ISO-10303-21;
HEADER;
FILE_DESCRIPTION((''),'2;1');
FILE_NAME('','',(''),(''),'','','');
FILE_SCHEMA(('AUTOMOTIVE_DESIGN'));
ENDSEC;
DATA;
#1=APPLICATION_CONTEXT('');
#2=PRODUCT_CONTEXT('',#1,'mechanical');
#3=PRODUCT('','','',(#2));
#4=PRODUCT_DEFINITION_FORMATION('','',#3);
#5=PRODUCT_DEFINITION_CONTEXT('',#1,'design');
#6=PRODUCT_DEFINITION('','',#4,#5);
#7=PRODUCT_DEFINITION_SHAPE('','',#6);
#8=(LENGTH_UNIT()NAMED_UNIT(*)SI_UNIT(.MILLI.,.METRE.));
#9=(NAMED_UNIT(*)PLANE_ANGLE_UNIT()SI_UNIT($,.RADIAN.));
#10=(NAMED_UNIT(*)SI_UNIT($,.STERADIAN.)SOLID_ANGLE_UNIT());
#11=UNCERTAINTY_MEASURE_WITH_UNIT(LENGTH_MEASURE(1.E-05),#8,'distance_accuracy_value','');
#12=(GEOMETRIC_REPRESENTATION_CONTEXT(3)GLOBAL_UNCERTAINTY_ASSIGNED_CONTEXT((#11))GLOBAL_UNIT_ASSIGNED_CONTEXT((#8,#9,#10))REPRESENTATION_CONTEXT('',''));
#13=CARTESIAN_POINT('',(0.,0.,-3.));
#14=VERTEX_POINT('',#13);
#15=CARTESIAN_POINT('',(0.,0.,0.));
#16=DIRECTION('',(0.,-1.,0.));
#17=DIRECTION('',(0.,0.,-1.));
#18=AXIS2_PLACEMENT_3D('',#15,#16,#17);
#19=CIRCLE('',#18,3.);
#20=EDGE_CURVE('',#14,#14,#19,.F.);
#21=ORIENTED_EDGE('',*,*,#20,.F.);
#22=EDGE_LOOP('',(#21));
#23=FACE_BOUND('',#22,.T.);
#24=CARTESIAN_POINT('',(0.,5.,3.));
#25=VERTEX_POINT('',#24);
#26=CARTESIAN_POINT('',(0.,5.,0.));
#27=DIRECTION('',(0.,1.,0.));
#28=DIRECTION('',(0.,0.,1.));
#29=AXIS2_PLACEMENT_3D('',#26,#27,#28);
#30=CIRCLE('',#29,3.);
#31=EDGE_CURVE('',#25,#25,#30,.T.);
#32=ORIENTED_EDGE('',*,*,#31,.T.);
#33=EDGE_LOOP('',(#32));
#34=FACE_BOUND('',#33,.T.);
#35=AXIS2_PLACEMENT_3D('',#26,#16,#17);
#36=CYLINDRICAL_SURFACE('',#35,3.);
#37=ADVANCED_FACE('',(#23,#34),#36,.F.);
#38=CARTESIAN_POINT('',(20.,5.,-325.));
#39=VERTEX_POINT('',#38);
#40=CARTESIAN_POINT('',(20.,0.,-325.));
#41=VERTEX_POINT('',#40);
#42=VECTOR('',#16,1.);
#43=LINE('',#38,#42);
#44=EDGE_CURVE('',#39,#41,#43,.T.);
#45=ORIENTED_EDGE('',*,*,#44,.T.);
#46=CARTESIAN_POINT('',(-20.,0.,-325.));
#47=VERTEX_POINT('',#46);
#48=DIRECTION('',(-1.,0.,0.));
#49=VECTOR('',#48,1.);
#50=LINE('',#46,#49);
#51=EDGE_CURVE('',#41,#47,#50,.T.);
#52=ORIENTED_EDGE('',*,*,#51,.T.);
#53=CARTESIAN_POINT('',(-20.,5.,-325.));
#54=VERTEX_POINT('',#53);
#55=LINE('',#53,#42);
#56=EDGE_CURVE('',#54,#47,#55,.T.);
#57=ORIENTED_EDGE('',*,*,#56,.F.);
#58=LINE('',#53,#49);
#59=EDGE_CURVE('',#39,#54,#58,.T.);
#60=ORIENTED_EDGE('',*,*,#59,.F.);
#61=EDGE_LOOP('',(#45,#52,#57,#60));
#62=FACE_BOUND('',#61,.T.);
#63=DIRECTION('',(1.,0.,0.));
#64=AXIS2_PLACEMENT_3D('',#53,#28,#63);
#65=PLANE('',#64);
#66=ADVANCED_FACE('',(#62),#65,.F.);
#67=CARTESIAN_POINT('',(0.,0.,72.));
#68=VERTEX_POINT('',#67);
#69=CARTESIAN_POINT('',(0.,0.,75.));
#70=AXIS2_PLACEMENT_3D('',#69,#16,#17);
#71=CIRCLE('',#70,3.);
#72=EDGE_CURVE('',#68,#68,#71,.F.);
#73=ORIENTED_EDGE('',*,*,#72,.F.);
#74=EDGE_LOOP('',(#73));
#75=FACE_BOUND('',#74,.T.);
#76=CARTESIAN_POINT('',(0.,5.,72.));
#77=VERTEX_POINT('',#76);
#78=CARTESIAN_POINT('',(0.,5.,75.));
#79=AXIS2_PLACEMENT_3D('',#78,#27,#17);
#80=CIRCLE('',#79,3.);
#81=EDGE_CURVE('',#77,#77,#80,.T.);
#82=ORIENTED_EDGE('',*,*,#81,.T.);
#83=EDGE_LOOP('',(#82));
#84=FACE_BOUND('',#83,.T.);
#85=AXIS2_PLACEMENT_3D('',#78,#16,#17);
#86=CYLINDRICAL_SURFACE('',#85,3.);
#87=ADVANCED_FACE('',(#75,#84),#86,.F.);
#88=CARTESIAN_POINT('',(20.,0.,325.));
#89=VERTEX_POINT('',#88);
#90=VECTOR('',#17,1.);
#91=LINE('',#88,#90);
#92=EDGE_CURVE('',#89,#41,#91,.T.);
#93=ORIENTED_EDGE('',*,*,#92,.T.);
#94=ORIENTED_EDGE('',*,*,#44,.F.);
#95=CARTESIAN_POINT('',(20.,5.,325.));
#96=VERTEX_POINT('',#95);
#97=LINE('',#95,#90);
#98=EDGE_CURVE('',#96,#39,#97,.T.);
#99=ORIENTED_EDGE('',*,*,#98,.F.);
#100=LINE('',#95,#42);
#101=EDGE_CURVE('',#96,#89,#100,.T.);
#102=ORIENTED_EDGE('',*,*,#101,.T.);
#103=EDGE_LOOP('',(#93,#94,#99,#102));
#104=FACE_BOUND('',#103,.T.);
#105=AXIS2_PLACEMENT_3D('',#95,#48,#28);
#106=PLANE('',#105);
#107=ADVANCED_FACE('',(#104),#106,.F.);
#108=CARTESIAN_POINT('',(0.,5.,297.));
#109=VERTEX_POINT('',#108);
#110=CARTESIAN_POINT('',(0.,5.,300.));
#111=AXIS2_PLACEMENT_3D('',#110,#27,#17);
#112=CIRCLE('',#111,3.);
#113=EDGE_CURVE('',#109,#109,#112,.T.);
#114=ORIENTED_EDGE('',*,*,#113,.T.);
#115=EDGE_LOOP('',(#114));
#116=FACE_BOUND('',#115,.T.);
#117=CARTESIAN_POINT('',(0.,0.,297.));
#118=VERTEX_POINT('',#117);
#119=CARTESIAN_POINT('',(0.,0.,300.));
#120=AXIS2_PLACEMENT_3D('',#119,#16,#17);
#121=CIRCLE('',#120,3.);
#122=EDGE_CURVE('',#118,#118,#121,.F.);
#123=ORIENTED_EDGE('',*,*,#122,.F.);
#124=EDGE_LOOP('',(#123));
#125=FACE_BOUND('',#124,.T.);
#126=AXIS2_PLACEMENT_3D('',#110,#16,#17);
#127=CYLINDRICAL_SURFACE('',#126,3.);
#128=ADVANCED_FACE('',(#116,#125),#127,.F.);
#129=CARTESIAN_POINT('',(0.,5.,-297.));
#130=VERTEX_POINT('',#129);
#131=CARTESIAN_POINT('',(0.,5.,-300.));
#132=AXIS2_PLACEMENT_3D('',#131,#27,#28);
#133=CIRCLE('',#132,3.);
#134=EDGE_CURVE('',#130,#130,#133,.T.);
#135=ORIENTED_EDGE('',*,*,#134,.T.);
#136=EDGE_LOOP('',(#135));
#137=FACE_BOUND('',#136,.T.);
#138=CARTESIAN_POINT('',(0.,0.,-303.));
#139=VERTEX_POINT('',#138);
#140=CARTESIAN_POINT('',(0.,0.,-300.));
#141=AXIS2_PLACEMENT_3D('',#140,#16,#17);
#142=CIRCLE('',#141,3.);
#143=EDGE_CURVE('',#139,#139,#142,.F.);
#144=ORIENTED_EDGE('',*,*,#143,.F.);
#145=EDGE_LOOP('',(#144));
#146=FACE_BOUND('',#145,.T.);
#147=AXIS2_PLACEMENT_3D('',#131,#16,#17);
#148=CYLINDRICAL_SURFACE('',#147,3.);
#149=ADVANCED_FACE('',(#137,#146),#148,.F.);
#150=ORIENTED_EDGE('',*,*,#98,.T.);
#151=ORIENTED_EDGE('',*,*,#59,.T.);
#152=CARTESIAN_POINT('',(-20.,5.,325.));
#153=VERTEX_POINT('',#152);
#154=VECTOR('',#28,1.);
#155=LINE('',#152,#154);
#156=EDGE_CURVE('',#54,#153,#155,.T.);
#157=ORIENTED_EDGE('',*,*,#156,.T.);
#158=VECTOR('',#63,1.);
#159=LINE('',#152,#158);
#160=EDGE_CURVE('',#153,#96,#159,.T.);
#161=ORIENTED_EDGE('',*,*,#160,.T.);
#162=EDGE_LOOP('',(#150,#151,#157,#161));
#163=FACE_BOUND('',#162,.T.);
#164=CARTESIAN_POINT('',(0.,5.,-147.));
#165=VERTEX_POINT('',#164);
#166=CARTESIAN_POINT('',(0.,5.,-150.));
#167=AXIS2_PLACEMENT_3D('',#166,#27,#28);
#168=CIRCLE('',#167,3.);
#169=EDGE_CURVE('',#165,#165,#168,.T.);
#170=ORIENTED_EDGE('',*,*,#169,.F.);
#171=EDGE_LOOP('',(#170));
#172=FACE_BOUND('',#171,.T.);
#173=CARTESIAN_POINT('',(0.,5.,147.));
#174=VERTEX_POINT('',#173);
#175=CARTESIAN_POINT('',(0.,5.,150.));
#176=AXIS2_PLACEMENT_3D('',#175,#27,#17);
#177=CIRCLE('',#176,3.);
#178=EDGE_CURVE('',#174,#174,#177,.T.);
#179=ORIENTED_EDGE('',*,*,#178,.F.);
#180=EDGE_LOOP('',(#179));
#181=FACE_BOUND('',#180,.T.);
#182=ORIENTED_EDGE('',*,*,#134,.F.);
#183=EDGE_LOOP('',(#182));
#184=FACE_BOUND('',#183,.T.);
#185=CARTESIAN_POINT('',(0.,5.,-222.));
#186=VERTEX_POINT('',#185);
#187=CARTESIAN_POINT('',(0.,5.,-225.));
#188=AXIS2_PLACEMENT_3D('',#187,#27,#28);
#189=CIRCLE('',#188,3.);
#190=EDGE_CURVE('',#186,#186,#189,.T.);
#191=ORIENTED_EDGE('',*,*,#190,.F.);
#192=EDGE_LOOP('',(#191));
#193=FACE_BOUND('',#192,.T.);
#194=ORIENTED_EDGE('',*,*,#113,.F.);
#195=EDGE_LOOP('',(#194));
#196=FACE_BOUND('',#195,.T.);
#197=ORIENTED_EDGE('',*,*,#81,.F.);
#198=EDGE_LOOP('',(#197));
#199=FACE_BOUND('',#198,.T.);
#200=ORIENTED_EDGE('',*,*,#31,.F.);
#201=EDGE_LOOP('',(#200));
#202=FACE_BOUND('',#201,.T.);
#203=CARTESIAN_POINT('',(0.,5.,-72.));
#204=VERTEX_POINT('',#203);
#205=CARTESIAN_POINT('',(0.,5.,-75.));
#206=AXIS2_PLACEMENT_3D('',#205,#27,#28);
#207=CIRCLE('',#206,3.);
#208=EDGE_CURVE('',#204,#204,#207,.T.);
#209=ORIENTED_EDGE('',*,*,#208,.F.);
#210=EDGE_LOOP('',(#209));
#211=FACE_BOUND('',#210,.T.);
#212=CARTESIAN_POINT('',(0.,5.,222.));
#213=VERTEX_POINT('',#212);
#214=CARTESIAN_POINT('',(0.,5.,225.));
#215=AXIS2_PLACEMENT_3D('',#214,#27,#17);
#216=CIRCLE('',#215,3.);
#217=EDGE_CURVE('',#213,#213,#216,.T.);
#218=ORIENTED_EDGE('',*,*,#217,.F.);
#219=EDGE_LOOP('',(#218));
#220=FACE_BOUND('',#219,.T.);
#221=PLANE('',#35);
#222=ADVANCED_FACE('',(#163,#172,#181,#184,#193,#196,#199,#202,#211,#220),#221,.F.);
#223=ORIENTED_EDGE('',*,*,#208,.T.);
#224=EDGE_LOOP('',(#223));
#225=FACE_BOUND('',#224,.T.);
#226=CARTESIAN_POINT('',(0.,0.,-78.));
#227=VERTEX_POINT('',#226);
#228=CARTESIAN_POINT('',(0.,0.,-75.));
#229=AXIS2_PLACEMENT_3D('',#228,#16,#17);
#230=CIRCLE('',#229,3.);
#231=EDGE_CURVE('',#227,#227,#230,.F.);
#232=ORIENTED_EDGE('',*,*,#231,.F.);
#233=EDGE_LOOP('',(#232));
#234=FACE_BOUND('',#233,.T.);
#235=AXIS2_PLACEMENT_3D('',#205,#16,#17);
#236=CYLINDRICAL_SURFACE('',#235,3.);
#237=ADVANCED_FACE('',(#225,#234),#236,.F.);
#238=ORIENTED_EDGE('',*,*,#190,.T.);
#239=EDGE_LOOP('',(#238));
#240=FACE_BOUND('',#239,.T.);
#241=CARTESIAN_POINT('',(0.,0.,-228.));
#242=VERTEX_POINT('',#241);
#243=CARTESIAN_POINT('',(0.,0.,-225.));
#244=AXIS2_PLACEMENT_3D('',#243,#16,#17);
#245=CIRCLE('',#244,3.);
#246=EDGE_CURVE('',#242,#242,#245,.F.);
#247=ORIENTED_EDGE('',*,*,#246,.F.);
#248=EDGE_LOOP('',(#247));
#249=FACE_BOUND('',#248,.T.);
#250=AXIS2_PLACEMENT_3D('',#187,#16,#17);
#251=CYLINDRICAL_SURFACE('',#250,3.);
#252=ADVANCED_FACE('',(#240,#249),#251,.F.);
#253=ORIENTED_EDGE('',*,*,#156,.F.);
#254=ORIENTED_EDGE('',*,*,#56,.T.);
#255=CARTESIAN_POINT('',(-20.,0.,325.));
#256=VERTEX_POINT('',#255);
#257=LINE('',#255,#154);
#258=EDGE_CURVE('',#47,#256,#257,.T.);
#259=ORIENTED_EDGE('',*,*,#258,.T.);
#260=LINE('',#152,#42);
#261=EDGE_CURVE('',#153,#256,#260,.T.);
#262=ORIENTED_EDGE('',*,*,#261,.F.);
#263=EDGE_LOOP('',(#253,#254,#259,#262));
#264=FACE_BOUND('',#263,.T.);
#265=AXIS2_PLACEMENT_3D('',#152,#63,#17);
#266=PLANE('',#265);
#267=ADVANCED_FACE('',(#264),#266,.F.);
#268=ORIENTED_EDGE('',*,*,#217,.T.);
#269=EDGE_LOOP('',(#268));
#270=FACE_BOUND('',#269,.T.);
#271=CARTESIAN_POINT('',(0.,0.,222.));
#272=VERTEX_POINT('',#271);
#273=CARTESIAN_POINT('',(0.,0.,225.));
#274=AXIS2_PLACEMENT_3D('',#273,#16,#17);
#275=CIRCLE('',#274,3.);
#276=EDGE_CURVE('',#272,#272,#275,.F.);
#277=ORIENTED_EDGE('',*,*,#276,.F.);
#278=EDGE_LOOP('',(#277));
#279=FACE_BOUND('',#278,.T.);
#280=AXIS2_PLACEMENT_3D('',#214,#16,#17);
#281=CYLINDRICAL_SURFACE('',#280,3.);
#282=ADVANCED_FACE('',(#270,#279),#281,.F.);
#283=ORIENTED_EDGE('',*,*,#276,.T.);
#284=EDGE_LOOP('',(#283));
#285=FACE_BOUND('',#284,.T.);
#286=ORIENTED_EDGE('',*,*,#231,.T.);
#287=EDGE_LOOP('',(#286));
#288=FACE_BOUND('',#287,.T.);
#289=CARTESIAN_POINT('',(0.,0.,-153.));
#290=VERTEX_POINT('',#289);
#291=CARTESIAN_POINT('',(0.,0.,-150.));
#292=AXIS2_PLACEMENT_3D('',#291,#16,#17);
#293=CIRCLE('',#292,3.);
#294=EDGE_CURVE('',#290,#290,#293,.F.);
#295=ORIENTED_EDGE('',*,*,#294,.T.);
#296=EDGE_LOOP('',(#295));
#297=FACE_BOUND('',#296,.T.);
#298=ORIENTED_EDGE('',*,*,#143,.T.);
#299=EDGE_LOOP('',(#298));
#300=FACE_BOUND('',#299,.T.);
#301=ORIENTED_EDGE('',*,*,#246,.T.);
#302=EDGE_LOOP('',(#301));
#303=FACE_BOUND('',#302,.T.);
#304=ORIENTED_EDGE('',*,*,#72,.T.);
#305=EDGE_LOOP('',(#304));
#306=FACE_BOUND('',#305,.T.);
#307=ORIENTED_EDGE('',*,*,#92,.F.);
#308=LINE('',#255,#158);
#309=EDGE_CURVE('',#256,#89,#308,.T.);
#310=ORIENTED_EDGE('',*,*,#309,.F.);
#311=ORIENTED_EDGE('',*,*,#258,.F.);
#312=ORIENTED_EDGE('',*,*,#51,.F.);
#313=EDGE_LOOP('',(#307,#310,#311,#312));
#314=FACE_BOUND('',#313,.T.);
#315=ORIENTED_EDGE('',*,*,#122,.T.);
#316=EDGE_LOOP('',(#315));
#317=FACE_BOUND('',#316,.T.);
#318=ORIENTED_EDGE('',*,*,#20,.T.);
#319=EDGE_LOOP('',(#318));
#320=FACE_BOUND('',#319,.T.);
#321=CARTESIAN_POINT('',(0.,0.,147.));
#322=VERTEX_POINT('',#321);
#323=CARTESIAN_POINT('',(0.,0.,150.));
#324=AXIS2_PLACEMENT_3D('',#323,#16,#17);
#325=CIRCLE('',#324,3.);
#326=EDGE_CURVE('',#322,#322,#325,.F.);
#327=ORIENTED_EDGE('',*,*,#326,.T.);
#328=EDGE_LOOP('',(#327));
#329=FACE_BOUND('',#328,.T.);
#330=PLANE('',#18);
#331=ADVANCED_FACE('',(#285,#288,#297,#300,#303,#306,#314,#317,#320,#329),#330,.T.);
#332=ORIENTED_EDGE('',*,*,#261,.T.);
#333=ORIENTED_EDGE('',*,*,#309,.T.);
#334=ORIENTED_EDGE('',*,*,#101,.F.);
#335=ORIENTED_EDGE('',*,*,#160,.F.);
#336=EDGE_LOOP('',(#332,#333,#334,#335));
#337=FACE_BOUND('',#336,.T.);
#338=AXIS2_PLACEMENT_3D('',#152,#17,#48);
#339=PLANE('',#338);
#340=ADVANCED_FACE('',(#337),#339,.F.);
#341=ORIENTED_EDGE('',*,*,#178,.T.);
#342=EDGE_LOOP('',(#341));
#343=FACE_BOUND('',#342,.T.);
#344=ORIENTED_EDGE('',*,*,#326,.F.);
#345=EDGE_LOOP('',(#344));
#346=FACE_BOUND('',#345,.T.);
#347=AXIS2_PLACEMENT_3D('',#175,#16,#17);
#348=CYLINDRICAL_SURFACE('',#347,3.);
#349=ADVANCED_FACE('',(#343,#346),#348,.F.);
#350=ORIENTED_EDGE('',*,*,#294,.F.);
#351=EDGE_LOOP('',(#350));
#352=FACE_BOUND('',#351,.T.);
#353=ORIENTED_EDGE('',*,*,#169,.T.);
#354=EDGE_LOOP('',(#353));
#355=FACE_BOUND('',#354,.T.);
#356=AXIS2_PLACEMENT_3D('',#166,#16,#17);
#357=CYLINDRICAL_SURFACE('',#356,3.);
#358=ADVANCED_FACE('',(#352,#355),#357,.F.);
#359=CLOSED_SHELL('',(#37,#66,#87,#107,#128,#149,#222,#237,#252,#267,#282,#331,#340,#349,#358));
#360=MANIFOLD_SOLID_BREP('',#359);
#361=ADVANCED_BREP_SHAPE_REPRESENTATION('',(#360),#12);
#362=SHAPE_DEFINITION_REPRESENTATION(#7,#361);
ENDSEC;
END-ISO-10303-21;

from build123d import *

# Parameters (mm, degrees)
SKETCH1_W               = 40
SKETCH1_H               = 650
BOSS_EXTRUDE1_DEPTH     = 5
CUT_EXTRUDE1_DEPTH      = 326.653189759
CUT_EXTRUDE1_DEPTH_BACK = 326.653189759
SKETCH2_R               = 3


with BuildPart() as part:
    # Sketch1 → Boss-Extrude1 (new body)
    with BuildSketch(Plane(origin=(0, 0, 0), x_dir=(1, 0, 0), z_dir=(0, 1, 0))):
        Rectangle(SKETCH1_W, SKETCH1_H)
    extrude(amount=BOSS_EXTRUDE1_DEPTH)

    # Sketch2 → Cut-Extrude1 (cut, two sides: drawn at the far end of the back side and taken through both)
    with BuildSketch(Plane(origin=(0, 0, 0), x_dir=(1, 0, 0), z_dir=(0, 1, 0)).offset(-CUT_EXTRUDE1_DEPTH_BACK)):
        with Locations(Location((0, 0, 0), (0, 0, 90))):
            Circle(SKETCH2_R)
        with Locations(Location((0, 75, 0), (0, 0, 90))):
            Circle(SKETCH2_R)
        with Locations(Location((0, 150, 0), (0, 0, 90))):
            Circle(SKETCH2_R)
        with Locations(Location((0, 225, 0), (0, 0, 90))):
            Circle(SKETCH2_R)
        with Locations(Location((0, 300, 0), (0, 0, 90))):
            Circle(SKETCH2_R)
        with Locations(Location((0, -300, 0), (0, 0, 90))):
            Circle(SKETCH2_R)
        with Locations(Location((0, -225, 0), (0, 0, 90))):
            Circle(SKETCH2_R)
        with Locations(Location((0, -150, 0), (0, 0, 90))):
            Circle(SKETCH2_R)
        with Locations(Location((0, -75, 0), (0, 0, 90))):
            Circle(SKETCH2_R)
    extrude(amount=CUT_EXTRUDE1_DEPTH + CUT_EXTRUDE1_DEPTH_BACK, mode=Mode.SUBTRACT)


solid = part.part
